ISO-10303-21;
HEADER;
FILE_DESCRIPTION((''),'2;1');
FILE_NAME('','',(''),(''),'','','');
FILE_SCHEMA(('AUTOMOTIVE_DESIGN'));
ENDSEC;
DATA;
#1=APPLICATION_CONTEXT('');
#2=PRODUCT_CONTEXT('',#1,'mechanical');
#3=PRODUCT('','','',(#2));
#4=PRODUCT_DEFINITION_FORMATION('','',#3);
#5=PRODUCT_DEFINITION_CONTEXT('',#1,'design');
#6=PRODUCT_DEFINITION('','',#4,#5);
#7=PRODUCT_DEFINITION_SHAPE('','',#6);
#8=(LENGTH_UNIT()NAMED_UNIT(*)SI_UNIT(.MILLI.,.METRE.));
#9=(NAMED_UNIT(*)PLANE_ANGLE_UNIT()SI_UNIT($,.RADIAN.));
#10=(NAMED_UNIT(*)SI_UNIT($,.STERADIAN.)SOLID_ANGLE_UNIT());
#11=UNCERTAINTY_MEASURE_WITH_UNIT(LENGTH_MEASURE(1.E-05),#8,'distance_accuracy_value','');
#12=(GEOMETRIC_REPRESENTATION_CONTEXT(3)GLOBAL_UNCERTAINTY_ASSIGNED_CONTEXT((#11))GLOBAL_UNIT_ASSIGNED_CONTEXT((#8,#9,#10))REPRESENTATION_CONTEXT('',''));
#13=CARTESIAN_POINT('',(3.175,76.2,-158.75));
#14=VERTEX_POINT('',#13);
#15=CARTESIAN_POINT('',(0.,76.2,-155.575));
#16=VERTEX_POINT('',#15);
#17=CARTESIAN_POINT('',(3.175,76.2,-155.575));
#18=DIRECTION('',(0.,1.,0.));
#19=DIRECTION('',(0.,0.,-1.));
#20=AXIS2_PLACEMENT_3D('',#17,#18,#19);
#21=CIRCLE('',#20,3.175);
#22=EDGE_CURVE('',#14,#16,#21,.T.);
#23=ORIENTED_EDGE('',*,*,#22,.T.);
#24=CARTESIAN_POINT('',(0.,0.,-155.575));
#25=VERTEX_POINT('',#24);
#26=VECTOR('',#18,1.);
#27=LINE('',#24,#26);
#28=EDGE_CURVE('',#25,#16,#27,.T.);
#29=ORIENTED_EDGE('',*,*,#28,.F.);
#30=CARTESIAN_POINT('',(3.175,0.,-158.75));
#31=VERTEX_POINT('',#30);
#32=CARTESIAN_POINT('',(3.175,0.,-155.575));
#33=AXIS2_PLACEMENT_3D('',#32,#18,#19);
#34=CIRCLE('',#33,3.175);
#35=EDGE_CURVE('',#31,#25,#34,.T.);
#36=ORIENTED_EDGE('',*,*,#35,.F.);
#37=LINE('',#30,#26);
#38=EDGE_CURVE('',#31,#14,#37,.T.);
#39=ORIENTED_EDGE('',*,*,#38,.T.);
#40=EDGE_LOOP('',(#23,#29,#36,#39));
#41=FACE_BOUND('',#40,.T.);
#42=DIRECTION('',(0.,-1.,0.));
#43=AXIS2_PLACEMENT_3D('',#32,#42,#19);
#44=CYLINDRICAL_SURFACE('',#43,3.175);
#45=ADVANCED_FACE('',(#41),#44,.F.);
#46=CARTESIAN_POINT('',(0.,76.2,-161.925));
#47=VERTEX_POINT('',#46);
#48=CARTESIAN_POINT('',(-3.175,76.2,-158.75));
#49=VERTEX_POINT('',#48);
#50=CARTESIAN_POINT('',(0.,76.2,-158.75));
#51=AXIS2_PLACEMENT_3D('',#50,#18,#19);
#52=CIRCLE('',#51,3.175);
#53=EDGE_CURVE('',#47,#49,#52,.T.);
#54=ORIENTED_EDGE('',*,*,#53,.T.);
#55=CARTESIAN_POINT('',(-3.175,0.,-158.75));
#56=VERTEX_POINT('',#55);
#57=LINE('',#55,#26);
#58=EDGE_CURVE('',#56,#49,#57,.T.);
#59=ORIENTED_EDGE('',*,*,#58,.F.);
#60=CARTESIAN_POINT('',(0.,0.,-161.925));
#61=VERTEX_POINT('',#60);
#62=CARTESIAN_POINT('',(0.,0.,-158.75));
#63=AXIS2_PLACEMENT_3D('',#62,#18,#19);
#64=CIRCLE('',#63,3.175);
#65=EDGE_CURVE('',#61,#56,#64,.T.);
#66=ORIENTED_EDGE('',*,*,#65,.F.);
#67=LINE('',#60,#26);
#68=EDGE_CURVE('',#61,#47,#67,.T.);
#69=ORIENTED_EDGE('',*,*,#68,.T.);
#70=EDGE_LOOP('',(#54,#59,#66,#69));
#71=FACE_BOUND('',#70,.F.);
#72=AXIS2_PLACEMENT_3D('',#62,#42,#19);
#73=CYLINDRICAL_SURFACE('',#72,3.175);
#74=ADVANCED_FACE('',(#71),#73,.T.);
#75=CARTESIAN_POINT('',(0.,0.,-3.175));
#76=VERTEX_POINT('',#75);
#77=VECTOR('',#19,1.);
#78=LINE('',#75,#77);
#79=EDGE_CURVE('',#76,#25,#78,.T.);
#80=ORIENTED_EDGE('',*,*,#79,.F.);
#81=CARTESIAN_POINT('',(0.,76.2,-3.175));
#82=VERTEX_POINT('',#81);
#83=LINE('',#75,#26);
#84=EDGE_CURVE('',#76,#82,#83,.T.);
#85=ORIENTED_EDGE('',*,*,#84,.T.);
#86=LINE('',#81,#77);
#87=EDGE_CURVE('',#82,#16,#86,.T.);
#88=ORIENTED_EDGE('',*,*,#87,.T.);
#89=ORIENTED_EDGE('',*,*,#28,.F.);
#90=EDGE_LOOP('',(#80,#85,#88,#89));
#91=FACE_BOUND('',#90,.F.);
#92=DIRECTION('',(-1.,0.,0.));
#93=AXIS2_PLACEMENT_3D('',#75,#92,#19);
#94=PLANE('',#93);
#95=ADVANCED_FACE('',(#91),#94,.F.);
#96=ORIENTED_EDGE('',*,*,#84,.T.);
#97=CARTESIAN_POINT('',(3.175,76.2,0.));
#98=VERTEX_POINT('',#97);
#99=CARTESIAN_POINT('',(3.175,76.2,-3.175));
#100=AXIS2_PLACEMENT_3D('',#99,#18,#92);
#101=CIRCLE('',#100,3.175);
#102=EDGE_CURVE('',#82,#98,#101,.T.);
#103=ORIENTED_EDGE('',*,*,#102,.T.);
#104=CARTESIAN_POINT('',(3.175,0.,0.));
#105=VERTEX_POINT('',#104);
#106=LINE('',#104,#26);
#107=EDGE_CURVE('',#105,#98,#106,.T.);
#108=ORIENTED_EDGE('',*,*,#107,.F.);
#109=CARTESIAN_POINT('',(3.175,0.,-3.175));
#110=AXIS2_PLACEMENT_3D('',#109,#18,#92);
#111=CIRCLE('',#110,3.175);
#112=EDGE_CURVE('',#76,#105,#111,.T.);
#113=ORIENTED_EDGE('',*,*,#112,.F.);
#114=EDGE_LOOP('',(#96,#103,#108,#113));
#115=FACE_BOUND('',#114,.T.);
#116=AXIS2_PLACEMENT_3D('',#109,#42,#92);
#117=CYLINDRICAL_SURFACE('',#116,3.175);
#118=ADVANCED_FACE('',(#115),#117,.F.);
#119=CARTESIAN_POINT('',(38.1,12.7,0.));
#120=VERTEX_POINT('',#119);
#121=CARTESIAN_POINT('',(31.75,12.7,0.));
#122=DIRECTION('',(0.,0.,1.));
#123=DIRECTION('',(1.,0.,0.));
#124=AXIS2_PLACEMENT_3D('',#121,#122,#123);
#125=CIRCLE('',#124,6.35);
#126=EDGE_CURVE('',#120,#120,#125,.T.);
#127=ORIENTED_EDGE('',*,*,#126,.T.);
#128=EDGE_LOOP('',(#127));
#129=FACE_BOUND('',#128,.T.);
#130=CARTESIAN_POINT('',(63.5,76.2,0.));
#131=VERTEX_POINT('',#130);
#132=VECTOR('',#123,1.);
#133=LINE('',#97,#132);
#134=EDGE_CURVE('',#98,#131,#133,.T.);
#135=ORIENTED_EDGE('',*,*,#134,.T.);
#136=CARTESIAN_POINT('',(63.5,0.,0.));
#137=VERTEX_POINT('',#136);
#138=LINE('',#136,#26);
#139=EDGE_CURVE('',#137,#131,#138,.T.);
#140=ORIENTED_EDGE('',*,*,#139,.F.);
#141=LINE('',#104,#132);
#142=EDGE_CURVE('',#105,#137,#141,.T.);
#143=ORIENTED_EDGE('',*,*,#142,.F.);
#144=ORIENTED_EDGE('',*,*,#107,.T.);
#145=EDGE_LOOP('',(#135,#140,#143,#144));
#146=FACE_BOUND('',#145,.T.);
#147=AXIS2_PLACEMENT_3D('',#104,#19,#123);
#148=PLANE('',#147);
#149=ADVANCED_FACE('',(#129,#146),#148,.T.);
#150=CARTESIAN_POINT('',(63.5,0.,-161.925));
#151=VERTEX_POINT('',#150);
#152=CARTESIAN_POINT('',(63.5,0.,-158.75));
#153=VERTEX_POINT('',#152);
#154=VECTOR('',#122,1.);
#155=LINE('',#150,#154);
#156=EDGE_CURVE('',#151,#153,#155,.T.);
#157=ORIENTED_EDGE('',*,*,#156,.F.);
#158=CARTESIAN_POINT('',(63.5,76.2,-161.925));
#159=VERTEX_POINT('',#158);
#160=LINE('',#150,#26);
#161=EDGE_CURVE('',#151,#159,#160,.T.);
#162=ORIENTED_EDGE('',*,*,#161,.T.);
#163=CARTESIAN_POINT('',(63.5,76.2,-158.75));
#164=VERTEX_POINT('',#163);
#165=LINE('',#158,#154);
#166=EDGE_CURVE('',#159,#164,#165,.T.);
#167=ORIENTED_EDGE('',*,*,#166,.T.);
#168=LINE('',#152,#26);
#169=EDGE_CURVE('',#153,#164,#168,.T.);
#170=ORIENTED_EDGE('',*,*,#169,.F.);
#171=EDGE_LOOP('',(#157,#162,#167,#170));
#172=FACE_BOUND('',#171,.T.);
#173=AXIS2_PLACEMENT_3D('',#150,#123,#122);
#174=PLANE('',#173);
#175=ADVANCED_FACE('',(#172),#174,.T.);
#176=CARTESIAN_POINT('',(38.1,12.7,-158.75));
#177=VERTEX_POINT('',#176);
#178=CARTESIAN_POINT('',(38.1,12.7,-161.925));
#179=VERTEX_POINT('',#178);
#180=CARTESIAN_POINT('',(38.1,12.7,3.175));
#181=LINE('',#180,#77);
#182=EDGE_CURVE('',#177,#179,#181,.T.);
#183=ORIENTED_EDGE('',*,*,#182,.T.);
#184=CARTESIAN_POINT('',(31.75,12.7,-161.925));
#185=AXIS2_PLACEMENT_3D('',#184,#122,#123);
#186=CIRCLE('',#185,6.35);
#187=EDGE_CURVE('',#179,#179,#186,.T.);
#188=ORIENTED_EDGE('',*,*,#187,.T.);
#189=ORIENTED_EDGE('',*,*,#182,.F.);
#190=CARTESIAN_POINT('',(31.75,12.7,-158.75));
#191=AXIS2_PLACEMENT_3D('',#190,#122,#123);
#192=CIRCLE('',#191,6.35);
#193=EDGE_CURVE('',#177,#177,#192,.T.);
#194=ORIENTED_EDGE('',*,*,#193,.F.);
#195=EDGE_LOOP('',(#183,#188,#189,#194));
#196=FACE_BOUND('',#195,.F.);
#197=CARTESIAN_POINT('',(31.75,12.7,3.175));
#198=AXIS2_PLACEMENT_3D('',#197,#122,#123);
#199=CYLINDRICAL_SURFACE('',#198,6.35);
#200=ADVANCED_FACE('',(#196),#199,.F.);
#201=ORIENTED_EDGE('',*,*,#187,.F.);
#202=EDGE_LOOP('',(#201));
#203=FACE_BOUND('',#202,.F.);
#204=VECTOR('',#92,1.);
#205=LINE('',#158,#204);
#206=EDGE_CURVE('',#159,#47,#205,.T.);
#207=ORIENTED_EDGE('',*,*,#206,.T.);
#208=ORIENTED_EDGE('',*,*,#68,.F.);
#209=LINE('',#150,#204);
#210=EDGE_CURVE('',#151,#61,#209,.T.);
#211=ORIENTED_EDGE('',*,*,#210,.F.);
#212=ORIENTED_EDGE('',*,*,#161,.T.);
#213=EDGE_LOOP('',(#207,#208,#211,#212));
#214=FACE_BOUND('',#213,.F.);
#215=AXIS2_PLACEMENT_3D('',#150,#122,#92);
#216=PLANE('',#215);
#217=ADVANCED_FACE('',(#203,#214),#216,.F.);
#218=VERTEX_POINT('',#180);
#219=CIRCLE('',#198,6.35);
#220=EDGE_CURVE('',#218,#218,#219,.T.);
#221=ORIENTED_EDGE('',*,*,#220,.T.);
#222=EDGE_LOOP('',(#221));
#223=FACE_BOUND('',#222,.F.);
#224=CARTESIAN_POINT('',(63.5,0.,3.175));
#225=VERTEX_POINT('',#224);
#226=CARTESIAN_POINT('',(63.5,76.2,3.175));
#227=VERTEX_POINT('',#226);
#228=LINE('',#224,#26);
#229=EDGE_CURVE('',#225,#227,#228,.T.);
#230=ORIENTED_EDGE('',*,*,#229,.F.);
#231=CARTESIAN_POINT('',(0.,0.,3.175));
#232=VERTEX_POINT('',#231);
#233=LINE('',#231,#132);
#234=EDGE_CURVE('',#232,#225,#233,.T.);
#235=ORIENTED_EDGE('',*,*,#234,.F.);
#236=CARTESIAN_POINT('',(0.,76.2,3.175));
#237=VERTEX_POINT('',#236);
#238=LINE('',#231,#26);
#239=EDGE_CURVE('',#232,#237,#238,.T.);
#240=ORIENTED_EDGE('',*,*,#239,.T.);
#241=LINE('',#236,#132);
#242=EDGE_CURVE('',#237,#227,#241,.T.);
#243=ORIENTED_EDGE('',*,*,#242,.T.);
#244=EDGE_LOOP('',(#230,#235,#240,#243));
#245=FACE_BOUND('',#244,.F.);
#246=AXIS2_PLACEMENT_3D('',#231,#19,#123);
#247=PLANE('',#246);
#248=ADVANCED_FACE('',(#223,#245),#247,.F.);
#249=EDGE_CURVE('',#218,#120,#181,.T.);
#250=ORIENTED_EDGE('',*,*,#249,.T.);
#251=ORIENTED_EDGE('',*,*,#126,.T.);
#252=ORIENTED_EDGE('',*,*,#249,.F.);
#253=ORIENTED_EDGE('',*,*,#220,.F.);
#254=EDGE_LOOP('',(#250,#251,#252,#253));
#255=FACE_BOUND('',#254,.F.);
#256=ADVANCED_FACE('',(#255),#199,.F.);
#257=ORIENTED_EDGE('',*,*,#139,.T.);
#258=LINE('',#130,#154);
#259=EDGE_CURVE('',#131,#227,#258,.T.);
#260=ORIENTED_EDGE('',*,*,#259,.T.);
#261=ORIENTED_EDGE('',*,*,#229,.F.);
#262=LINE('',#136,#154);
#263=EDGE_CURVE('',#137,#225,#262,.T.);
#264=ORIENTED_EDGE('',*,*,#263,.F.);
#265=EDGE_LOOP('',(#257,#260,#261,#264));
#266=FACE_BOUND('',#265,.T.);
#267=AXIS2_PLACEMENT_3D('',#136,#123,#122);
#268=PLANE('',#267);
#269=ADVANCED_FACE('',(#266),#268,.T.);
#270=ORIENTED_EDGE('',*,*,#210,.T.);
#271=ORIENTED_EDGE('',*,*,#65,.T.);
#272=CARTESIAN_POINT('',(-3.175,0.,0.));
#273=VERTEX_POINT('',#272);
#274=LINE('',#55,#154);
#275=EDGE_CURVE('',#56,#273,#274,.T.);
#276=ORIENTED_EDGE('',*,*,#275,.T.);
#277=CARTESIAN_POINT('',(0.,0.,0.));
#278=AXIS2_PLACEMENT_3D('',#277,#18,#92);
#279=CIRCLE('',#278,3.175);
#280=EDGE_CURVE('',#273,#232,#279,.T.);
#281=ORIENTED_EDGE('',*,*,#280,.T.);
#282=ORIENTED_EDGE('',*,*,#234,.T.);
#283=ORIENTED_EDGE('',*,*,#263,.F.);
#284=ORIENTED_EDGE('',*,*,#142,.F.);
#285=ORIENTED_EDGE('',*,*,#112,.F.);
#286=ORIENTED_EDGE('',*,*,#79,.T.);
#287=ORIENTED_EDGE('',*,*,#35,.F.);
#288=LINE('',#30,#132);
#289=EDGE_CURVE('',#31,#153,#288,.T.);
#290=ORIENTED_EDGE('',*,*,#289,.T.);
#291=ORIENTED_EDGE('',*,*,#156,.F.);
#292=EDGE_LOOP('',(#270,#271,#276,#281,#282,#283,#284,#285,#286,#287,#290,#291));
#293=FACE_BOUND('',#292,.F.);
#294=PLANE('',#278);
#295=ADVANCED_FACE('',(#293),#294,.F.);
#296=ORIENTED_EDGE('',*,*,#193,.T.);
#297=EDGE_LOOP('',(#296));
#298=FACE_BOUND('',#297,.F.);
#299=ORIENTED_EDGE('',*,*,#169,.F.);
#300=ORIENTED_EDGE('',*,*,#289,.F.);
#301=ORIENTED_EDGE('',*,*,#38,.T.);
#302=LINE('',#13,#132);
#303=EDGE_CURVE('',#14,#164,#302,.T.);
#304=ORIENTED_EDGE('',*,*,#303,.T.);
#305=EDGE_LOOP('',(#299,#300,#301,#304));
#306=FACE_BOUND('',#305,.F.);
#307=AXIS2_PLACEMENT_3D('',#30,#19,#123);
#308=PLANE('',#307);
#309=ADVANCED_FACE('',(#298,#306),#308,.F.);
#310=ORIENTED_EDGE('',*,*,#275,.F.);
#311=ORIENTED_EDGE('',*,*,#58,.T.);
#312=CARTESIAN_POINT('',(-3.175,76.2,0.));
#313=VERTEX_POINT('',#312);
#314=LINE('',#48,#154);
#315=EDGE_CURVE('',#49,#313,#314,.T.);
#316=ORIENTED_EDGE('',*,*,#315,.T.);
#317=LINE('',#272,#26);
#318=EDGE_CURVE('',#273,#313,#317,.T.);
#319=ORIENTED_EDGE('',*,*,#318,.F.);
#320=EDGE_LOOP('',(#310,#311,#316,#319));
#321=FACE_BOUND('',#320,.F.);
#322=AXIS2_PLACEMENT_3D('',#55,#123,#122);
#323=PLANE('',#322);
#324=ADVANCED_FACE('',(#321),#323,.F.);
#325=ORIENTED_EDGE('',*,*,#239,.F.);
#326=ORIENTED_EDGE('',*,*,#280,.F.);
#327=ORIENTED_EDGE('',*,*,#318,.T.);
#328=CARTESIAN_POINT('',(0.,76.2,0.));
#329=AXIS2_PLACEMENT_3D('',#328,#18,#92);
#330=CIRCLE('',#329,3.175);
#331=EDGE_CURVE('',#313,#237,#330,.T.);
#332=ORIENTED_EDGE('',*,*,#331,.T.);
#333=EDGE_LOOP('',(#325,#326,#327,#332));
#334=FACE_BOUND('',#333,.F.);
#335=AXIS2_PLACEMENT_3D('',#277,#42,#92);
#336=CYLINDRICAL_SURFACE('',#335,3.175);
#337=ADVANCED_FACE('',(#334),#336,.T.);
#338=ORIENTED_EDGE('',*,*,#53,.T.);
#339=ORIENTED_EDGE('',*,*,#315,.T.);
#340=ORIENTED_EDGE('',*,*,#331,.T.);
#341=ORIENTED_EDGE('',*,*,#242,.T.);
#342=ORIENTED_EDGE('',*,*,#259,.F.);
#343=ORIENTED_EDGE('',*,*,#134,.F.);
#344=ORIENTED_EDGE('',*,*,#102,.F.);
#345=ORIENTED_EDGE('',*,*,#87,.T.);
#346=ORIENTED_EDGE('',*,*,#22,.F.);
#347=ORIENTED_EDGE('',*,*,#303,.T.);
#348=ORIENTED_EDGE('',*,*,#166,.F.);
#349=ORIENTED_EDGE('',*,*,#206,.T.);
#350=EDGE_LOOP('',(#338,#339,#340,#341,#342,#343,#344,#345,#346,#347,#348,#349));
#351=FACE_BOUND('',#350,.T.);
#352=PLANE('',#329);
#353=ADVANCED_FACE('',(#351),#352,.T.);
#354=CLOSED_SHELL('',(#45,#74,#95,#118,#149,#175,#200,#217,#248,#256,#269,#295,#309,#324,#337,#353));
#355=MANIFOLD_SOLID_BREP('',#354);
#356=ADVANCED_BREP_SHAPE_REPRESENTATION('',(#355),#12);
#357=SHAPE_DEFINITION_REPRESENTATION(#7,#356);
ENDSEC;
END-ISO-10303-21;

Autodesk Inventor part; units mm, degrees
ref_plane "YZ Plane" through (0, 0, 0) normal (1, 0, 0) x (0, 1, 0)
ref_plane "XZ Plane" through (0, 0, 0) normal (0, 1, 0) x (-1, 0, 0)
ref_plane "XY Plane" through (0, 0, 0) normal (0, 0, 1) x (1, 0, 0)
sketch "Sketch1" plane through (0, 0, 0) normal (0, 1, 0) x (-1, 0, 0)
  line L0 (0, -3.175) -> (0, -155.575)
  line L1 (-3.175, -158.75) -> (-63.5, -158.75)
  line L2 (-3.175, 0) -> (-63.5, 0)
  line L3 (-63.5, -161.925) -> (0, -161.925)
  line L4 (3.175, -158.75) -> (3.175, 0)
  line L5 (0, 3.175) -> (-63.5, 3.175)
  line L6 (-63.5, 0) -> (-63.5, 3.175)
  line L7 (-63.5, -161.925) -> (-63.5, -158.75)
  arc A0 (3.175, 0) -> (0, 3.175) centre (0, 0) ccw
  arc A1 (0, -3.175) -> (-3.175, 0) centre (-3.175, -3.175) ccw
  arc A2 (-3.175, -158.75) -> (0, -155.575) centre (-3.175, -155.575) ccw
  arc A3 (0, -161.925) -> (3.175, -158.75) centre (0, -158.75) ccw
  point P0 (0, 0)
  point P1 (0, -158.75)
  dimension "d0" = 158.75
  dimension "d1" = 63.5
  dimension "d2" = 63.5
  dimension "d3" = 3.175
  dimension "d4" = 3.175
extrude "Extrusion1" add sketch "Sketch1" along normal blind 76.2
sketch "Sketch2" plane through (0, 0, 3.175) normal (0, 0, 1) x (1, 0, 0)
  circle A0 centre (31.75, 12.7) radius 6.35
  line L0 (63.5, 0) -> (63.5, 76.2) projected
  line L1 (0, 76.2) -> (63.5, 76.2) projected
  point P0 (0, 0)
  dimension "d7" = 12.7
  dimension "d8" = 31.75
  dimension "d9" = 63.5
extrude "Extrusion2" cut sketch "Sketch2" against normal through all
properties part number "C chanel Short"
